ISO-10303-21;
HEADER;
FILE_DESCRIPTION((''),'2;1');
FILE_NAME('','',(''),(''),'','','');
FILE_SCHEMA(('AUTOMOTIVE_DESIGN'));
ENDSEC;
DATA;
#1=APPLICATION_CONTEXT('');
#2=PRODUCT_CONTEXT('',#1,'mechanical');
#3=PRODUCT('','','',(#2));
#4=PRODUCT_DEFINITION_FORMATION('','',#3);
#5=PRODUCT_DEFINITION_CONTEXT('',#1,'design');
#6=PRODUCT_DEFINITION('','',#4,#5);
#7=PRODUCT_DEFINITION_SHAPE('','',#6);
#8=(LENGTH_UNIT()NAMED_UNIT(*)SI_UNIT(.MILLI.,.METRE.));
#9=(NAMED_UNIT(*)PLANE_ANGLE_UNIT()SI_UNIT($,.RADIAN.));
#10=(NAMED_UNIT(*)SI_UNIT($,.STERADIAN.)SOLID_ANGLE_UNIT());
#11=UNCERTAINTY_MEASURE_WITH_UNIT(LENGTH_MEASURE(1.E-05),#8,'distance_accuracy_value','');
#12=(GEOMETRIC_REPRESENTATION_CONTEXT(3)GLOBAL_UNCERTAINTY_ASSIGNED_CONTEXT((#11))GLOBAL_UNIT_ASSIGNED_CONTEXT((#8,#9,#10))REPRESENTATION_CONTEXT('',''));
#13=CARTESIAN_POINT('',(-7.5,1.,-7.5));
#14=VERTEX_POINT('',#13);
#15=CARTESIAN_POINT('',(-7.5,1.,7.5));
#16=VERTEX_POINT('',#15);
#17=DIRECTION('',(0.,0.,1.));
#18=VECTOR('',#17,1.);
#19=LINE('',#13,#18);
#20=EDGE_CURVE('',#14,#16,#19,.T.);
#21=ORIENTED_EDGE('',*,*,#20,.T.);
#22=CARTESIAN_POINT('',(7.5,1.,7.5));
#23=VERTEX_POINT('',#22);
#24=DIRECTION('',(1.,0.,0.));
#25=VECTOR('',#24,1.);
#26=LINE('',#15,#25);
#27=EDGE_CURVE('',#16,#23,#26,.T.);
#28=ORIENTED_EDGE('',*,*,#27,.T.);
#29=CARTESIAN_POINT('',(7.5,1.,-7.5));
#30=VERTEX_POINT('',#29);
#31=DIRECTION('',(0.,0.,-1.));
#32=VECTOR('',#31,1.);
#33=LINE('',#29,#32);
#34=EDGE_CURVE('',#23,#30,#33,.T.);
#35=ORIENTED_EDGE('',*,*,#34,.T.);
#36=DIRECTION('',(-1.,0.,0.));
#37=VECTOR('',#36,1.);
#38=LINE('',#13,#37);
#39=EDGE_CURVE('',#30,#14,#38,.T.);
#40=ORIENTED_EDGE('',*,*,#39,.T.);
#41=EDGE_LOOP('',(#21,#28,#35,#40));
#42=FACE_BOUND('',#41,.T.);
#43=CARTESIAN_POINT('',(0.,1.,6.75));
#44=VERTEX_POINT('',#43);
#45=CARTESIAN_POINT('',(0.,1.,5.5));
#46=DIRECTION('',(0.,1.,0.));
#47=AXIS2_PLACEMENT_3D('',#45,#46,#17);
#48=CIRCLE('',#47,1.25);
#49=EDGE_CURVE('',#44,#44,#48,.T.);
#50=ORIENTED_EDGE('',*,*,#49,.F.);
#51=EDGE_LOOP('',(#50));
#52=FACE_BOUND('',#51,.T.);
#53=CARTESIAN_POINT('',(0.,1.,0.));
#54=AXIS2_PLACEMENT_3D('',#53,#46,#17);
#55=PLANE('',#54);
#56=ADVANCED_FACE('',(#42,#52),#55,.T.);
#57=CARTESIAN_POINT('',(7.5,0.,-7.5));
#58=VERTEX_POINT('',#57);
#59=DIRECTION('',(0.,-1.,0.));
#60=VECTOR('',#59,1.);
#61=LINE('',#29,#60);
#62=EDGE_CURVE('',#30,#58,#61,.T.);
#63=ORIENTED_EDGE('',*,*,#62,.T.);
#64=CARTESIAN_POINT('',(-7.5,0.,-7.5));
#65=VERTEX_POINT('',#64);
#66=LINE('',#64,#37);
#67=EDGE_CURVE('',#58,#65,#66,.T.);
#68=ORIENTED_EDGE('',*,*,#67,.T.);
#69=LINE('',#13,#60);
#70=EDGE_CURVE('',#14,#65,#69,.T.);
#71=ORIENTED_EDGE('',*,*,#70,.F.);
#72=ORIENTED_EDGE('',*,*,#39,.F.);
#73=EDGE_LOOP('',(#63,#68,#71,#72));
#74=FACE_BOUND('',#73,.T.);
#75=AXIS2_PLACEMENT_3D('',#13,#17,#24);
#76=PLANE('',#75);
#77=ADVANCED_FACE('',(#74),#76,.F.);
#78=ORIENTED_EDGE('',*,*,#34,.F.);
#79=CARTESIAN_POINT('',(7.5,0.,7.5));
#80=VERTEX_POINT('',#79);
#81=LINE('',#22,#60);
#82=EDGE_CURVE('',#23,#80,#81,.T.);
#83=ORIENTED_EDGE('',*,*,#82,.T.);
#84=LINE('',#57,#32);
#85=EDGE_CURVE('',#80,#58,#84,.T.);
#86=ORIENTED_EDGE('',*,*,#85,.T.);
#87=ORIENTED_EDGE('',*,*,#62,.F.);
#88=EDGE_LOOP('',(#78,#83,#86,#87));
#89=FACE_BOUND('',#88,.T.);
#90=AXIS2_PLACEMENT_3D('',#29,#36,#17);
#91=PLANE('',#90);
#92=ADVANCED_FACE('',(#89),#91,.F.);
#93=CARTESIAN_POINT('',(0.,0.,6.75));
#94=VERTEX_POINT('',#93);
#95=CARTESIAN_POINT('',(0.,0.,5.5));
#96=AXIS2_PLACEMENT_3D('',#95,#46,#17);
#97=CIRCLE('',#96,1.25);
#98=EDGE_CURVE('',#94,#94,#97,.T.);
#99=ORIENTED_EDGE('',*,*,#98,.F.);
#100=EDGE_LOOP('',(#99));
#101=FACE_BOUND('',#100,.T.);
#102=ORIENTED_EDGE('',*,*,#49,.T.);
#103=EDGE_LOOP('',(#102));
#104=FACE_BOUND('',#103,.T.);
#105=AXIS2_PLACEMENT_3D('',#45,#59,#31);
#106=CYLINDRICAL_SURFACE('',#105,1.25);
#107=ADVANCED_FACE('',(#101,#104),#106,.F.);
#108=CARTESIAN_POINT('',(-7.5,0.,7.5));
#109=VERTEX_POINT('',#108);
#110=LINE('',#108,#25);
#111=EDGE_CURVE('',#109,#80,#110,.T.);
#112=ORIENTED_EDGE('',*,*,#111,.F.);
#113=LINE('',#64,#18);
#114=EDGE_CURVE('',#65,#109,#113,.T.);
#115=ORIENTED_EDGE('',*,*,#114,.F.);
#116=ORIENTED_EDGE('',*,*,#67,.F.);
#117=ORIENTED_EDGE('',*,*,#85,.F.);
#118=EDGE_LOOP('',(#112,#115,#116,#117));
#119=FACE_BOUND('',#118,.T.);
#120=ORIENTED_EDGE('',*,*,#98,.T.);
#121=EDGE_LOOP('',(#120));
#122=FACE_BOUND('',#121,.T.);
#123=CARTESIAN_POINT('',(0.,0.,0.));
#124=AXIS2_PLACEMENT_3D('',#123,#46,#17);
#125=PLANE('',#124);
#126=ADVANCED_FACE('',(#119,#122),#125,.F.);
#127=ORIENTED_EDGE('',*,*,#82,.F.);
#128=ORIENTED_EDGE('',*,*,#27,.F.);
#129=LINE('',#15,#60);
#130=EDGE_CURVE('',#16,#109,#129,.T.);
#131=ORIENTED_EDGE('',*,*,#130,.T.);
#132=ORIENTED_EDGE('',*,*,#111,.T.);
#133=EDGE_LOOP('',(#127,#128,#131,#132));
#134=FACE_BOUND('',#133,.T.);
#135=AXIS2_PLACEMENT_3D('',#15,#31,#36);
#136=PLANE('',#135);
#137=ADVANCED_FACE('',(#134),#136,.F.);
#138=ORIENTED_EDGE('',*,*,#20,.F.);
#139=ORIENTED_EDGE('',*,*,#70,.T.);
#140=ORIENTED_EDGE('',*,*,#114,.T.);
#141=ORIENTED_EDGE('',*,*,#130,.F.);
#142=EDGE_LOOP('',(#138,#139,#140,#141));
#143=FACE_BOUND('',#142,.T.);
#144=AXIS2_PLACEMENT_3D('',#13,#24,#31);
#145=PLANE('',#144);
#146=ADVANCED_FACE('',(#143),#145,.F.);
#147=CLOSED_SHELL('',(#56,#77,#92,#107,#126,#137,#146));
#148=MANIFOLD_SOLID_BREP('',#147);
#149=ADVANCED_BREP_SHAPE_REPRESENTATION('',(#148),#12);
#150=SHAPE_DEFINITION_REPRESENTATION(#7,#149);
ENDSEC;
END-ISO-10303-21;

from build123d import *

# Parameters (mm, degrees)
SKETCH_1_W      = 15
SKETCH_1_H      = 15
SKETCH_1_R      = 1.25
EXTRUDE_1_DEPTH = 1


with BuildPart() as part:
    # 草图1 → 凸台-拉伸1 (new body)
    with BuildSketch(Plane(origin=(0, 0, 0), x_dir=(1, 0, 0), z_dir=(0, 1, 0))):
        Rectangle(SKETCH_1_W, SKETCH_1_H)
        with Locations((0, -5.5)):
            Circle(SKETCH_1_R, mode=Mode.SUBTRACT)
    extrude(amount=EXTRUDE_1_DEPTH)


solid = part.part
